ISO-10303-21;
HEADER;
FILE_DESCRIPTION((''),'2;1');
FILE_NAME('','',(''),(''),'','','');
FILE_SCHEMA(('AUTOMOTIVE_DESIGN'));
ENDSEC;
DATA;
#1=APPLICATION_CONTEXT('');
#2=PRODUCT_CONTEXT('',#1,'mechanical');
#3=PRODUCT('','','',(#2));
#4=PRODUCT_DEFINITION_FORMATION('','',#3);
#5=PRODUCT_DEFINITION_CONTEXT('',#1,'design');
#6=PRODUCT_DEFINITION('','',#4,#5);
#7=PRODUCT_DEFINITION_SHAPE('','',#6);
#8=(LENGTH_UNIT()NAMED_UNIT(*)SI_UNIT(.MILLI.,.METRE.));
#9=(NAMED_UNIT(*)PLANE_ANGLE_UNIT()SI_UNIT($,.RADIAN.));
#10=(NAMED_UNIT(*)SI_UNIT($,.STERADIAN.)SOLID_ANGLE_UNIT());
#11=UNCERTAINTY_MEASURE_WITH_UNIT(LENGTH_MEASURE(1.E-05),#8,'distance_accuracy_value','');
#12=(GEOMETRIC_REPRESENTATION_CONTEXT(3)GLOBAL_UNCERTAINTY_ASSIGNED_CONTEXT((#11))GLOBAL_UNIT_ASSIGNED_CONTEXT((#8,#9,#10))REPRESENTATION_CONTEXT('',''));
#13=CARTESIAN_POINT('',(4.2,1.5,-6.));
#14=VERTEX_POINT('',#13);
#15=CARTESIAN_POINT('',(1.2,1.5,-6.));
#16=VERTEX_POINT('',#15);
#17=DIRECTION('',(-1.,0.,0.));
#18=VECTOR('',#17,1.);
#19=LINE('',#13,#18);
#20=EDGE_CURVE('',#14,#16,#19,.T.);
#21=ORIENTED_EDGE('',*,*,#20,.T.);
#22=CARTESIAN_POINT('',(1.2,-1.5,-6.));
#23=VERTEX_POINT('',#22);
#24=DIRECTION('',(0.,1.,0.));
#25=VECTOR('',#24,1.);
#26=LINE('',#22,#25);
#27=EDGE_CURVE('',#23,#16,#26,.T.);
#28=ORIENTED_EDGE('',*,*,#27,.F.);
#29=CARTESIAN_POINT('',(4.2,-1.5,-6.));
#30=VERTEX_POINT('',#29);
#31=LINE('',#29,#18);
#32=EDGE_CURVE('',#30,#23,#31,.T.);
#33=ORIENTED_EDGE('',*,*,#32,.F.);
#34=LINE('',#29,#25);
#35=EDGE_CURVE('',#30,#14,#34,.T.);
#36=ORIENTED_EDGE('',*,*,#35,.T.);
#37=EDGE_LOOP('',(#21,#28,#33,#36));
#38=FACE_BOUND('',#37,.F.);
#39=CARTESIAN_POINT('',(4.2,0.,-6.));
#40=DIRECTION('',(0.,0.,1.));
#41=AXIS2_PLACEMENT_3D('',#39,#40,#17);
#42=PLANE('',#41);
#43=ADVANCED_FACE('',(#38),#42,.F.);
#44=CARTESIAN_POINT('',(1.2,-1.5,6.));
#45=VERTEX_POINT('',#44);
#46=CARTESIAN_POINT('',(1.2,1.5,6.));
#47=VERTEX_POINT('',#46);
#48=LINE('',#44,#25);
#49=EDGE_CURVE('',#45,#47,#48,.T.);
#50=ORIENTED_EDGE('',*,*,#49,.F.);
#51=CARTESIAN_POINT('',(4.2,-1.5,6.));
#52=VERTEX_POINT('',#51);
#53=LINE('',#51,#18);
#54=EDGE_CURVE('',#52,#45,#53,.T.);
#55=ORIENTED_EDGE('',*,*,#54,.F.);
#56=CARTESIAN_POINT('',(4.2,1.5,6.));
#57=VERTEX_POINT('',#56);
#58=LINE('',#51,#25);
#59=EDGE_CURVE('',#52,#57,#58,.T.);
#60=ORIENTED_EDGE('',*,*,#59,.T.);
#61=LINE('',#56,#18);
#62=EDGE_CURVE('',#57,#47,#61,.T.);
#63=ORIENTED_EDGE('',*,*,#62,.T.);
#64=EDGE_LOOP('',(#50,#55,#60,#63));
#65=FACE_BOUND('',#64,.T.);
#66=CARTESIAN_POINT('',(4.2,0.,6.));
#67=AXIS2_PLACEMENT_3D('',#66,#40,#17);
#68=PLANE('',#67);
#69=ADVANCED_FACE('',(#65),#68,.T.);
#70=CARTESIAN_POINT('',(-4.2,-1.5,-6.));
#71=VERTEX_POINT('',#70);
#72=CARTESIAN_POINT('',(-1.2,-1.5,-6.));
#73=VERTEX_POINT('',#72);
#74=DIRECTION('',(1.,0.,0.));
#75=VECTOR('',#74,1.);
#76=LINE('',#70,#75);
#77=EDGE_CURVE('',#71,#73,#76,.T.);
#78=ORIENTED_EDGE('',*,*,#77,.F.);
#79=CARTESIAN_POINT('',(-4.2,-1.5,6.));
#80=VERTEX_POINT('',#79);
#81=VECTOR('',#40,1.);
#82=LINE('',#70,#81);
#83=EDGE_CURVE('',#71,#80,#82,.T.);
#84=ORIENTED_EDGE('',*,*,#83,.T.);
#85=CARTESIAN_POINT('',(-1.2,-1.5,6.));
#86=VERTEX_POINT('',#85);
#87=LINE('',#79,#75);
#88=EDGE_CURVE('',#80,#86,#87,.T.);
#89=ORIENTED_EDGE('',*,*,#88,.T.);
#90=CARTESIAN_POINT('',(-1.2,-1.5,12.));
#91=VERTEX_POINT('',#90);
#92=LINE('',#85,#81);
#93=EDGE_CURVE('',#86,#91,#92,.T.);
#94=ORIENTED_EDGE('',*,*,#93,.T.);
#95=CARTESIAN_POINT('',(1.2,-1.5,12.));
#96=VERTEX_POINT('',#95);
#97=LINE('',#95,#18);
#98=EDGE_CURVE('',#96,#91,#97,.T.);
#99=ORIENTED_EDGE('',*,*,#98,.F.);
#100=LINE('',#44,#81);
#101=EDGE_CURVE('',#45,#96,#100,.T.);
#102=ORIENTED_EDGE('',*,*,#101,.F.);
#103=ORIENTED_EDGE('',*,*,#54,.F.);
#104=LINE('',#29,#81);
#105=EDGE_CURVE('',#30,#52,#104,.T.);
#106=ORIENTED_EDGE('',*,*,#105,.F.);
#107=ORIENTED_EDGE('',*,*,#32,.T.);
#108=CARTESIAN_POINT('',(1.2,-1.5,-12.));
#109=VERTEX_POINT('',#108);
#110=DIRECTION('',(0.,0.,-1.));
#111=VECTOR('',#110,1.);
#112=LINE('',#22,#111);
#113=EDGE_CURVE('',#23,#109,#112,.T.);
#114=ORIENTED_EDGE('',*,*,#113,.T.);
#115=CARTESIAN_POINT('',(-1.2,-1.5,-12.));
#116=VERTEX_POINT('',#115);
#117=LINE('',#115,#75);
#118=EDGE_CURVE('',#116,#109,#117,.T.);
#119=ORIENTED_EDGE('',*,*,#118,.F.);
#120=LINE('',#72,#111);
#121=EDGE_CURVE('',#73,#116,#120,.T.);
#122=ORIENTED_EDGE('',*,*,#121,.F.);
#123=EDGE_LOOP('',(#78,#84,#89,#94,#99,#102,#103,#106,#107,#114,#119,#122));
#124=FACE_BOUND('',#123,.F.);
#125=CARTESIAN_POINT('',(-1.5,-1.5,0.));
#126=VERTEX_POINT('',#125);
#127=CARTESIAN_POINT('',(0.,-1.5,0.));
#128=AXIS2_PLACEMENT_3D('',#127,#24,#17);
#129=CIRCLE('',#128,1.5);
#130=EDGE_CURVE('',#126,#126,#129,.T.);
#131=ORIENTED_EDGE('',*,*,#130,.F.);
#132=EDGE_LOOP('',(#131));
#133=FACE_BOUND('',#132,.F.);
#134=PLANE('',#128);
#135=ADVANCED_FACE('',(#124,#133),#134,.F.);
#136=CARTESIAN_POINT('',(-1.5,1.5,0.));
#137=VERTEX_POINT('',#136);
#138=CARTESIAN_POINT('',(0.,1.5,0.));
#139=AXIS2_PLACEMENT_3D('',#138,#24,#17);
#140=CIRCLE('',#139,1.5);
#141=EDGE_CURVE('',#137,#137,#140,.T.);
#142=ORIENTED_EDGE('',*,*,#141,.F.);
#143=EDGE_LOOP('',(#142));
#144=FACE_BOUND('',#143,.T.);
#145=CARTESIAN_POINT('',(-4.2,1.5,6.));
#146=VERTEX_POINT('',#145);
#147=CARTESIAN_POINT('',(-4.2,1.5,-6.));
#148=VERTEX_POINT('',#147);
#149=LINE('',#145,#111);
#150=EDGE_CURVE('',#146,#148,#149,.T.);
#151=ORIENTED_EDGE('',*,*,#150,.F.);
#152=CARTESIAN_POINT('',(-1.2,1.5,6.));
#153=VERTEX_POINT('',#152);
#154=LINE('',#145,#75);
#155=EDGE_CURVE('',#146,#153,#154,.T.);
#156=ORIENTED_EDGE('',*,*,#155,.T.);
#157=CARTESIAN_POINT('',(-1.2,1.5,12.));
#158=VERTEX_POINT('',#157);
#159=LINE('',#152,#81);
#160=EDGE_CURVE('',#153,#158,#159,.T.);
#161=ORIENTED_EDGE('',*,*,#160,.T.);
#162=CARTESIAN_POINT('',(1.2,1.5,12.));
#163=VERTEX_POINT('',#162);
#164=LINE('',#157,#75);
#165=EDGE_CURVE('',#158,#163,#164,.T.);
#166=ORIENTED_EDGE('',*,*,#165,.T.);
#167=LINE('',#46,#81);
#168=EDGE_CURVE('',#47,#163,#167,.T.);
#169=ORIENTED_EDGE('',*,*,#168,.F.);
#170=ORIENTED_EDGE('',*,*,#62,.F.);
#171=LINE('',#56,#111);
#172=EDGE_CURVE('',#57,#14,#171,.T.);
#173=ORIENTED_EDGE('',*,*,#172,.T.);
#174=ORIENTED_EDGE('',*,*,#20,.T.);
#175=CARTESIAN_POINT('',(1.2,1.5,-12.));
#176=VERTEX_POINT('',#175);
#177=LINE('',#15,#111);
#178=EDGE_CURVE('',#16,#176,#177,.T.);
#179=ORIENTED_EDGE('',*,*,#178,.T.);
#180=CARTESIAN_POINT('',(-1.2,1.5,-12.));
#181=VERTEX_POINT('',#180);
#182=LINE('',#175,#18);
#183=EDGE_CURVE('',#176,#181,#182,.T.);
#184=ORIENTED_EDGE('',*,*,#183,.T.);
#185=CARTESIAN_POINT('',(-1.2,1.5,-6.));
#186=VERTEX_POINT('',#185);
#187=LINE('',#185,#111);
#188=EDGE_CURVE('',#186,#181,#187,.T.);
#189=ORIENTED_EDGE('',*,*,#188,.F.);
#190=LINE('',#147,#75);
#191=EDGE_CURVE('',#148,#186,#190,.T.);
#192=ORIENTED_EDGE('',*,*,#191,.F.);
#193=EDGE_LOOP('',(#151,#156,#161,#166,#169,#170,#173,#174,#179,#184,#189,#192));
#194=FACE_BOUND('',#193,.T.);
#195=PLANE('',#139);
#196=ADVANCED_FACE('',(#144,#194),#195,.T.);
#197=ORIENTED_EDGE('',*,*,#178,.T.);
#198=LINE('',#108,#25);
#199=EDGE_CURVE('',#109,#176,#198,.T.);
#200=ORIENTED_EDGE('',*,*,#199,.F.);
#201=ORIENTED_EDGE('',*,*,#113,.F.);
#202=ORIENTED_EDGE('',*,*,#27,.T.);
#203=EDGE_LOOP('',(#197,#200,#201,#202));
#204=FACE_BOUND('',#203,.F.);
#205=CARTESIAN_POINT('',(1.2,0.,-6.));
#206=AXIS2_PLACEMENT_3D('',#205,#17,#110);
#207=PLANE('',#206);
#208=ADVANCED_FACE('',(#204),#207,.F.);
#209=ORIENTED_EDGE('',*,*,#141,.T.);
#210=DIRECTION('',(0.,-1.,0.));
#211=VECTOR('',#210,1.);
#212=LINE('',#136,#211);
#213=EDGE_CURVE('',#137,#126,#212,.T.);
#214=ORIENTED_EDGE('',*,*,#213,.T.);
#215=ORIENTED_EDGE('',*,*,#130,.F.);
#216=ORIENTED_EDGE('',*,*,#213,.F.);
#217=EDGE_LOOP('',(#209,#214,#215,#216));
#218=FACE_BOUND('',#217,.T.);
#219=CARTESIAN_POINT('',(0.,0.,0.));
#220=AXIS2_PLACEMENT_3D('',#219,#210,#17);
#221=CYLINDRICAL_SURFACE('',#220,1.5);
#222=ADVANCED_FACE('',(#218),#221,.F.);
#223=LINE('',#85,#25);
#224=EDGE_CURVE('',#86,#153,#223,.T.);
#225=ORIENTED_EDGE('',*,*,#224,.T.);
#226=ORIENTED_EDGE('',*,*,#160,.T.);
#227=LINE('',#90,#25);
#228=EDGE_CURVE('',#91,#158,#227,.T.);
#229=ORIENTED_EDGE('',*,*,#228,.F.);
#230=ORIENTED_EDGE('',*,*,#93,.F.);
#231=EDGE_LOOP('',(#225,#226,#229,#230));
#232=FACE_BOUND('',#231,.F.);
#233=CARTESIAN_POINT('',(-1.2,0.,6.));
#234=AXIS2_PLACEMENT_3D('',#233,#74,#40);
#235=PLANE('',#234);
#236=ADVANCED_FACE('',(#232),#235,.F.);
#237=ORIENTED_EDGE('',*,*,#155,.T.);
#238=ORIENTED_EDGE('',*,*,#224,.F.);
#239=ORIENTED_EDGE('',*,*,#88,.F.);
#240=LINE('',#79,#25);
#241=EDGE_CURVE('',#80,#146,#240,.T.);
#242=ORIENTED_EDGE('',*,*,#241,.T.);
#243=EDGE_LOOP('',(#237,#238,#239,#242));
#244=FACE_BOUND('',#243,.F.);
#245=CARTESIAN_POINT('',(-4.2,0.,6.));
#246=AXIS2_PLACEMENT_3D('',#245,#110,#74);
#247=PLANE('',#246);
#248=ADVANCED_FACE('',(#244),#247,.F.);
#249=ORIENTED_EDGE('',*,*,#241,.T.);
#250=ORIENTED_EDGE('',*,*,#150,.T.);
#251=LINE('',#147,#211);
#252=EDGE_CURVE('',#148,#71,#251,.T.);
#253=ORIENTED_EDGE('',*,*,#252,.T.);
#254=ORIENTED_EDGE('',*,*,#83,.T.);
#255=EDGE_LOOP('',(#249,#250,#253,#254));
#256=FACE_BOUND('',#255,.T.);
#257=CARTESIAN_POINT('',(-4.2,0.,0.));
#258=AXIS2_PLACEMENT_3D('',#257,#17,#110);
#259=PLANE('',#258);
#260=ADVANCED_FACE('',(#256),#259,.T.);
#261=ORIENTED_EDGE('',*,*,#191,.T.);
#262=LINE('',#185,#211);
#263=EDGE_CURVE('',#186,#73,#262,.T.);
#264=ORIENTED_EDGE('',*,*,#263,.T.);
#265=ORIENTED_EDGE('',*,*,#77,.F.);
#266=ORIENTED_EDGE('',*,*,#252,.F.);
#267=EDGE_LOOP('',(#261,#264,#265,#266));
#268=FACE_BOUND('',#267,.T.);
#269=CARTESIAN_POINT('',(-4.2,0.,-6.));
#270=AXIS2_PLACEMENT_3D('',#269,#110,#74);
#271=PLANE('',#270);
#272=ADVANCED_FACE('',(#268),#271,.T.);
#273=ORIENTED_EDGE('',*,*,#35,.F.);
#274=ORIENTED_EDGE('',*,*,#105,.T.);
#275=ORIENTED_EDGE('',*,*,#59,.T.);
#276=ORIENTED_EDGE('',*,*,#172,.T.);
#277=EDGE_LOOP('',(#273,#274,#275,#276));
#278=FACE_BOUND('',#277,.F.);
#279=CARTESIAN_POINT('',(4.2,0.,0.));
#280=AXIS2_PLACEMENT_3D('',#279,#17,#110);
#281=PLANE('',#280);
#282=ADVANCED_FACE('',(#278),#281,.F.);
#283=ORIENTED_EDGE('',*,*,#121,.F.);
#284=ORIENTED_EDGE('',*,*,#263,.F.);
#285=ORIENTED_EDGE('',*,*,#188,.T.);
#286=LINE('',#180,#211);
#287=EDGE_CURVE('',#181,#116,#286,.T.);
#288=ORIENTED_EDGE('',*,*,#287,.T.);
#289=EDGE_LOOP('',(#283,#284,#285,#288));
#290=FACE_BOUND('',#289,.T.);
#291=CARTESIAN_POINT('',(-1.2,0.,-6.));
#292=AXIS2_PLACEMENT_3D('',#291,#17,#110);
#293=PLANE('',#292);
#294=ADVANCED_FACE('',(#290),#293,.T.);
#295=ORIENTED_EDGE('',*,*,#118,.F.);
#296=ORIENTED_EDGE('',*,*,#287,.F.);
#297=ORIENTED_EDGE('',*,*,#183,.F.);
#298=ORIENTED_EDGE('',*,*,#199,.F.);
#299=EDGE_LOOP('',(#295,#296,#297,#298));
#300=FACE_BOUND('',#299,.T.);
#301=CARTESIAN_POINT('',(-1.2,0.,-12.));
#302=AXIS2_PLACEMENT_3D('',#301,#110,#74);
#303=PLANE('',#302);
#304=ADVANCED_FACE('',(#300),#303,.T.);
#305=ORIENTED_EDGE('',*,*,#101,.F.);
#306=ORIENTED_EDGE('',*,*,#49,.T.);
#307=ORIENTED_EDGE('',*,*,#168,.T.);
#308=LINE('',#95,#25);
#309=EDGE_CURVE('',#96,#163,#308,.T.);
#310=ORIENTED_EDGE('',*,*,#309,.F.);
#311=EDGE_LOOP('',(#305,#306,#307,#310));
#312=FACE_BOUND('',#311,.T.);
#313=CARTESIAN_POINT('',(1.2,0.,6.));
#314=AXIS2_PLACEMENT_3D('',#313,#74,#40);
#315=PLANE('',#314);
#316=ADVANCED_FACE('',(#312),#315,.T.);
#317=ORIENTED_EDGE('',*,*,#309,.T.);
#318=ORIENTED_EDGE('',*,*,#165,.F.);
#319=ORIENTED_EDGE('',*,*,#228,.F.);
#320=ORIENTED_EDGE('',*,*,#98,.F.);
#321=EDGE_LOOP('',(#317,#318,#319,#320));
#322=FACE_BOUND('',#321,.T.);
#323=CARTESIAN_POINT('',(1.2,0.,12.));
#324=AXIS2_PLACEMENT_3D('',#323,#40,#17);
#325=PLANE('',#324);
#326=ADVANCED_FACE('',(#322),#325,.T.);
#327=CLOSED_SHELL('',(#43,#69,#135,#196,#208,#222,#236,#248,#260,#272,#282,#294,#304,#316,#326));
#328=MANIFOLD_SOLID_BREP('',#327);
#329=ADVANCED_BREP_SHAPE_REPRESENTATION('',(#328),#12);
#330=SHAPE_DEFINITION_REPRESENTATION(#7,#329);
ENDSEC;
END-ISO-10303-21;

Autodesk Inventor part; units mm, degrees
ref_plane "YZ Plane" through (0, 0, 0) normal (1, 0, 0) x (0, 1, 0)
ref_plane "XZ Plane" through (0, 0, 0) normal (0, 1, 0) x (-1, 0, 0)
ref_plane "XY Plane" through (0, 0, 0) normal (0, 0, 1) x (1, 0, 0)
sketch "草圖1" plane through (0, 0, 0) normal (0, 1, 0) x (-1, 0, 0)
  line L0 (4.2, 0) -> (4.2, -6)
  line L1 (4.2, -6) -> (0, -6)
  line L2 (0, -6) -> (1.2, -6)
  line L3 (1.2, -6) -> (1.2, -12)
  line L4 (1.2, -12) -> (0, -12)
  line L5 (-4.2, 0) -> (-4.2, -6)
  line L6 (-4.2, -6) -> (0, -6)
  line L7 (0, -6) -> (-1.2, -6)
  line L8 (-1.2, -6) -> (-1.2, -12)
  line L9 (-1.2, -12) -> (0, -12)
  line L10 (4.2, 0) -> (4.2, 6)
  line L11 (4.2, 6) -> (0, 6)
  line L12 (0, 6) -> (1.2, 6)
  line L13 (1.2, 6) -> (1.2, 12)
  line L14 (1.2, 12) -> (0, 12)
  line L15 (-4.2, 0) -> (-4.2, 6)
  line L16 (-4.2, 6) -> (0, 6)
  line L17 (0, 6) -> (-1.2, 6)
  line L18 (-1.2, 6) -> (-1.2, 12)
  line L19 (-1.2, 12) -> (0, 12)
  circle A0 centre (0, 0) radius 1.5
  dimension "d0" = 6
  dimension "d1" = 1.2
  dimension "d2" = 3
  dimension "d3" = 6
  dimension "d4" = 3
extrude "擠出1" add sketch "草圖1" along normal mid plane 3
properties part number "小零件1"
